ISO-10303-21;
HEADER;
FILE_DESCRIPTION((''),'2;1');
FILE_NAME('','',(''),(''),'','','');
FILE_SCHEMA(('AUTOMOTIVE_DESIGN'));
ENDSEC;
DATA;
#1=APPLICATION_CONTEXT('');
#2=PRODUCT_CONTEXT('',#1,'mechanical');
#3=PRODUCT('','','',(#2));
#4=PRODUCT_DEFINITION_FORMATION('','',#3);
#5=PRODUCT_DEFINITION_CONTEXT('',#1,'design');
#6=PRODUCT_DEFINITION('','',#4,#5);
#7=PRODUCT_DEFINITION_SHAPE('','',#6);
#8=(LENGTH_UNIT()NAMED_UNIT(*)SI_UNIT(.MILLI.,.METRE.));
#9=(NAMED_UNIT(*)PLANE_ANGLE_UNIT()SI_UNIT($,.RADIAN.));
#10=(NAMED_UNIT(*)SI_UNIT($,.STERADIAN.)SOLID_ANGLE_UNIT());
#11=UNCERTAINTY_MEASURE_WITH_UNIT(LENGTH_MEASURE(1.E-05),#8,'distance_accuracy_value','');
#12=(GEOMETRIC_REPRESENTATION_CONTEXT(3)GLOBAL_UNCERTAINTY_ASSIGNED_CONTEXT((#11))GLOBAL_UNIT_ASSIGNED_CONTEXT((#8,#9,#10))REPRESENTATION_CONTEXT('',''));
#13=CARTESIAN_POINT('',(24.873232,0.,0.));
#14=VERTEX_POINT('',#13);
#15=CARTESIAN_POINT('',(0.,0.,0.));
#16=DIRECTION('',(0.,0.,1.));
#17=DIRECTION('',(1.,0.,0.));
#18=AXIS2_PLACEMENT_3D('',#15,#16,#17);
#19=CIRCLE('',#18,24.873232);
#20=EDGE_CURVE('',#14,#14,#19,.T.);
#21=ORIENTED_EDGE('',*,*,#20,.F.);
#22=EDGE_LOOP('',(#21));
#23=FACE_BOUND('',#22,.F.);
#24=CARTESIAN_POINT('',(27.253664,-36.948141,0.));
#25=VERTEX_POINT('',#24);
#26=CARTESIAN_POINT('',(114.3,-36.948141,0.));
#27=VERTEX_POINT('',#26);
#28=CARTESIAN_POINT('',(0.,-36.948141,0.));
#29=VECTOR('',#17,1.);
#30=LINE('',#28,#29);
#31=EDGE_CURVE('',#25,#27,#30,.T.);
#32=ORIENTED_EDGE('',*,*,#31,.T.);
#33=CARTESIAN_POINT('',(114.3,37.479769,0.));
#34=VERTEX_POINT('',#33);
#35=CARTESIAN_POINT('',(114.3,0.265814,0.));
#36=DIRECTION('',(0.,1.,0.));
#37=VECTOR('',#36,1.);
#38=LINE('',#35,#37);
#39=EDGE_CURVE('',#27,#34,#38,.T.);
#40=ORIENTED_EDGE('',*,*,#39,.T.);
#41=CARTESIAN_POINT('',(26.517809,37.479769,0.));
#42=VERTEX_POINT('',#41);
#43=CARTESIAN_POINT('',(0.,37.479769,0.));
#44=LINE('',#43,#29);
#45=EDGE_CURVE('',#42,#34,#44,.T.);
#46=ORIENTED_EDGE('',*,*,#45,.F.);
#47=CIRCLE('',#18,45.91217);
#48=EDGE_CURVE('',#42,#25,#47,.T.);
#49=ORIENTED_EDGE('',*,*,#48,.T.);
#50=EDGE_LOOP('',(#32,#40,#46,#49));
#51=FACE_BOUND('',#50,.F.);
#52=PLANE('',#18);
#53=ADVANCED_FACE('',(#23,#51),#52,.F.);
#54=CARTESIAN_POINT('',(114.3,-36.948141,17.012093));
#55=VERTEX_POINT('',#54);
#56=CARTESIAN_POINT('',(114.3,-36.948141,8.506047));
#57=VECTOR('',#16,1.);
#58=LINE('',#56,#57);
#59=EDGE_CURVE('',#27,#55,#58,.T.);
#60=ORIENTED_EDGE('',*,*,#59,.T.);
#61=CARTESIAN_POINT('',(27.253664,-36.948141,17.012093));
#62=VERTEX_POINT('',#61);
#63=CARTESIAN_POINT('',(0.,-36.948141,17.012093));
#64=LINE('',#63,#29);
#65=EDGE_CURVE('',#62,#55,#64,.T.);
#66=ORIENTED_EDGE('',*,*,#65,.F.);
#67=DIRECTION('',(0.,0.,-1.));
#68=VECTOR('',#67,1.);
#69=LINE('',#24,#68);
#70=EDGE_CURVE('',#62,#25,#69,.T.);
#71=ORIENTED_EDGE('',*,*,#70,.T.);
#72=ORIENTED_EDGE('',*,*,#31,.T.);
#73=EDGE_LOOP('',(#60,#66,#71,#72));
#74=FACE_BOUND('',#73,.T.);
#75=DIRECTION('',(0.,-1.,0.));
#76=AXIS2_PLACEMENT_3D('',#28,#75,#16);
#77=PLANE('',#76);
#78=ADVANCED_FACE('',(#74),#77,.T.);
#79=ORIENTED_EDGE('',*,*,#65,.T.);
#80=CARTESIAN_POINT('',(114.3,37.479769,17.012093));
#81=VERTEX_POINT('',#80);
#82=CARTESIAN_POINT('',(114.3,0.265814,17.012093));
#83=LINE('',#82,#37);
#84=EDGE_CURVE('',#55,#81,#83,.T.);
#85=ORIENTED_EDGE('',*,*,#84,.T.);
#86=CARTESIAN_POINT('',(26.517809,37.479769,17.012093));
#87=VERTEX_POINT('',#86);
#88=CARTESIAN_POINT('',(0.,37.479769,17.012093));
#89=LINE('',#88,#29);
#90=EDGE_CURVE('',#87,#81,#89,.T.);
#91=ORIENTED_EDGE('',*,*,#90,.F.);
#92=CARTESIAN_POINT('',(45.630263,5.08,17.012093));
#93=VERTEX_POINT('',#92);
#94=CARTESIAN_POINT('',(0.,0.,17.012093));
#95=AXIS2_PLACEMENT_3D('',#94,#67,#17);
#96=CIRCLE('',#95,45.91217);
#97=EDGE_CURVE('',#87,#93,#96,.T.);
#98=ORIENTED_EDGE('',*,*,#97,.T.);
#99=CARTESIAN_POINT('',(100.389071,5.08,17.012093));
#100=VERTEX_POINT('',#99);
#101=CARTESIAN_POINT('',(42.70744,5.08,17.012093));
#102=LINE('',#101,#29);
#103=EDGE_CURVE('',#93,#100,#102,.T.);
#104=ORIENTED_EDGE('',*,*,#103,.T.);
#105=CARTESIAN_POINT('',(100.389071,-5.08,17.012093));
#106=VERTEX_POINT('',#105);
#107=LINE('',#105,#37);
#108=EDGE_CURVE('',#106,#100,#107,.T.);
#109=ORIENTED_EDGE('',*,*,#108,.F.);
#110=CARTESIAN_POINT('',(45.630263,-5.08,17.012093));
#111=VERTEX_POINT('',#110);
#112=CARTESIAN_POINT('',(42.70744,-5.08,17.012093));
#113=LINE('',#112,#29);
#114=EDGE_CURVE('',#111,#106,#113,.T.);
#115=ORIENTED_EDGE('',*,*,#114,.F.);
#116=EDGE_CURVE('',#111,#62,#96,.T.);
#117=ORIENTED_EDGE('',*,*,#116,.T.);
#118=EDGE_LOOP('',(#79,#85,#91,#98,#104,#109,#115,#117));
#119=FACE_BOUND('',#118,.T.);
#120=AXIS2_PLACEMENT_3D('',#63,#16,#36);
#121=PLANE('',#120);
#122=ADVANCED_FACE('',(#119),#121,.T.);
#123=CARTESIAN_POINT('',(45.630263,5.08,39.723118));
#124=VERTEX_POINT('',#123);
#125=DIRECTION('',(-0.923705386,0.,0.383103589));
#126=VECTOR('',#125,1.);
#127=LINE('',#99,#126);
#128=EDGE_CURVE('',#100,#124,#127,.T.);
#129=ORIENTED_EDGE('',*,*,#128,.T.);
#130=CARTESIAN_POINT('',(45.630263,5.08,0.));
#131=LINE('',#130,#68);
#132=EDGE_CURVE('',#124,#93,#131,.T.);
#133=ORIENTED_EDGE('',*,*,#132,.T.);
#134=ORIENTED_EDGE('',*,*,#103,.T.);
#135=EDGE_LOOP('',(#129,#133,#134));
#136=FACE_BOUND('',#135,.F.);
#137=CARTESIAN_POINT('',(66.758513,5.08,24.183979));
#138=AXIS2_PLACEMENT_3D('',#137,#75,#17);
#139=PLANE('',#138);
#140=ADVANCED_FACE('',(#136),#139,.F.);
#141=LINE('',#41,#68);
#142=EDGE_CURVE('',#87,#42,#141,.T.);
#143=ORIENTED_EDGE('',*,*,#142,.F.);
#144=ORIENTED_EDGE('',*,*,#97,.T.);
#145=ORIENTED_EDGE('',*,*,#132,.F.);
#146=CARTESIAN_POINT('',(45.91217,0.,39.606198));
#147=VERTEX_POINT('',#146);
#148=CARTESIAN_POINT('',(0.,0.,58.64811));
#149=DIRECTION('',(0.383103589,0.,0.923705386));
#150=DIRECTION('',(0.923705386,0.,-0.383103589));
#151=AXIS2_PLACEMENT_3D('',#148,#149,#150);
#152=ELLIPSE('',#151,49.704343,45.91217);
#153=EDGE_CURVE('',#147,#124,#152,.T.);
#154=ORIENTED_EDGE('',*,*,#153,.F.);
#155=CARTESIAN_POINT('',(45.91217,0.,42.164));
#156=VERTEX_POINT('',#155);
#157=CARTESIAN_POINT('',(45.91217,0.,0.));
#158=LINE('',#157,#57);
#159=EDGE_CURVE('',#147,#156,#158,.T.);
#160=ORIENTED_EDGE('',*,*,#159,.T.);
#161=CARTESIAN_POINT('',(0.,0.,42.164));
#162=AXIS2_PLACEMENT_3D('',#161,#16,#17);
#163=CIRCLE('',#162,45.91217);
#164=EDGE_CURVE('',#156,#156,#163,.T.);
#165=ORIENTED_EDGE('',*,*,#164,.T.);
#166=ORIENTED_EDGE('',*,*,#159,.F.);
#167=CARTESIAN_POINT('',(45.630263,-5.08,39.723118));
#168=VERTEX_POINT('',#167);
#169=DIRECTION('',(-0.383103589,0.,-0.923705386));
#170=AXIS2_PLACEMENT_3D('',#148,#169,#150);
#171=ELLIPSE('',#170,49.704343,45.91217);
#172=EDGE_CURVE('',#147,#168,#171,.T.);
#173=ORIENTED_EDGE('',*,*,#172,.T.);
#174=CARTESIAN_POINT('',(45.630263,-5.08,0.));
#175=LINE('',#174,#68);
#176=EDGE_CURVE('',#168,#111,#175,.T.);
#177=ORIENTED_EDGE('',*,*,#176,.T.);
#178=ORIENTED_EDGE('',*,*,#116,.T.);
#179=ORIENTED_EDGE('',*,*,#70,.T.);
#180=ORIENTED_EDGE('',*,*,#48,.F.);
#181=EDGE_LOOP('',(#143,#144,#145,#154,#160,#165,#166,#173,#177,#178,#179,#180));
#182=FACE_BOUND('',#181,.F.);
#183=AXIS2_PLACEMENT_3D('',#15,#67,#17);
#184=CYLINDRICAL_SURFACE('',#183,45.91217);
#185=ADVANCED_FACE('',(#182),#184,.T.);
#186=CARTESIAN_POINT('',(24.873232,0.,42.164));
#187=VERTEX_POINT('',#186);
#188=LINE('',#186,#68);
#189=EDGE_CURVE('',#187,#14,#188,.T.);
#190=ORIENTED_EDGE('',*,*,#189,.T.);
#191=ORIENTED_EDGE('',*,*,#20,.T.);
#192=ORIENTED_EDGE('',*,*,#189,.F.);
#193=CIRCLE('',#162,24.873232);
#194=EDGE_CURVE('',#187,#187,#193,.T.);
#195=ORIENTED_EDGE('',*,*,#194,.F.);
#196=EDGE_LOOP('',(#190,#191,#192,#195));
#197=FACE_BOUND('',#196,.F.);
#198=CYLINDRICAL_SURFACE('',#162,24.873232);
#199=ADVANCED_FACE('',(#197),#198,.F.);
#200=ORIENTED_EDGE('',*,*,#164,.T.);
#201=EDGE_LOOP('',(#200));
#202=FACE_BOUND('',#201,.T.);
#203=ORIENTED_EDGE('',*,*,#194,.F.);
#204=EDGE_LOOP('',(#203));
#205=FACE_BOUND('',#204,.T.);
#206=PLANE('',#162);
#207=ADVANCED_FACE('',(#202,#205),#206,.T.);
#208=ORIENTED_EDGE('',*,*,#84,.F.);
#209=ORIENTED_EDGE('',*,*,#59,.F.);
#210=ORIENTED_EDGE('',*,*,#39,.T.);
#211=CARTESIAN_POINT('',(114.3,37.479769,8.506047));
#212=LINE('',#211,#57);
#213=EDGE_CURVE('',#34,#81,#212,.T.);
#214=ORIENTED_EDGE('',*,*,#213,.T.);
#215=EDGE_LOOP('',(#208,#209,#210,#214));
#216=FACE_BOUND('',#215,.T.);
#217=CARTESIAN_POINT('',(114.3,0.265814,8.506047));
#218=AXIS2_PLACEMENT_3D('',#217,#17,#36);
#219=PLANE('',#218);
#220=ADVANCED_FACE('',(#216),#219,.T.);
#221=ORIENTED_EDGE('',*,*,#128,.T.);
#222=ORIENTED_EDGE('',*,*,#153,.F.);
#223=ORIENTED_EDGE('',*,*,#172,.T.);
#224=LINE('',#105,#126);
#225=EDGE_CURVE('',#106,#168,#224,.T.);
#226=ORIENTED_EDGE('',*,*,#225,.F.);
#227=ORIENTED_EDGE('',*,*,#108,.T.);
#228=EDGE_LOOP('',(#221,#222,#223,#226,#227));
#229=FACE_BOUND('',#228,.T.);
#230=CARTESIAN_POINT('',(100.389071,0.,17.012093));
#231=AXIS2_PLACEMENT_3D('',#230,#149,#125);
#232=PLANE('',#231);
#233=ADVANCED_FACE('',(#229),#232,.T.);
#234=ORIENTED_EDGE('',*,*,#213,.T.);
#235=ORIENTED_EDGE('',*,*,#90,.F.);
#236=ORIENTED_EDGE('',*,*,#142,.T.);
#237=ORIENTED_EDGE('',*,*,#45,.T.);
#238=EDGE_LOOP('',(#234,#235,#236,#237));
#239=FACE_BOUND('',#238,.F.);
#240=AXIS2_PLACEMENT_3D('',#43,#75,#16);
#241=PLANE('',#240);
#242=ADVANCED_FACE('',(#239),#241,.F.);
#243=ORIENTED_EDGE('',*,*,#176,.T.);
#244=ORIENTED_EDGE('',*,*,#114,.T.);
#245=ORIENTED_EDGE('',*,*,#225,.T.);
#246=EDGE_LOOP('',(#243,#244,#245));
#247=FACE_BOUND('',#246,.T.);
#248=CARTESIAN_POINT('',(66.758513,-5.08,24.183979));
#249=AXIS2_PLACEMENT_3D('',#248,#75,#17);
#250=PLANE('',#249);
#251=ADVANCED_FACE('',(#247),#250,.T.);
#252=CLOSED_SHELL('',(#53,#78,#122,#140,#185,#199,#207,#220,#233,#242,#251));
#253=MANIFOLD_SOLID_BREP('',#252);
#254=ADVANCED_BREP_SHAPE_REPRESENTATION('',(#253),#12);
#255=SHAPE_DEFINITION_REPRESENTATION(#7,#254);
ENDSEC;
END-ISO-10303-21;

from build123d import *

# Parameters (mm, degrees)
F0_R          = 45.9121697242
F1_DEPTH      = 42.164
F2_W          = 74.4279101491
F2_H          = 17.0120932162
F3_DEPTH      = 114.3
F5_DEPTH      = 5.08
F5_DEPTH_BACK = 5.08
F6_R          = 24.8732317419
F7_DEPTH      = 42.165


with BuildPart() as f1:
    # F0 (on Top) → F1 (new body)
    with BuildSketch(Plane.XY):
        Circle(F0_R)
    extrude(amount=F1_DEPTH)

    # F2 (on Right) → F3 (join)
    with BuildSketch(Plane.YZ):
        with Locations((0.265814364, 8.5060466081)):
            Rectangle(F2_W, F2_H)
    extrude(amount=F3_DEPTH)

    # F4 (on Front) → F5 (join, two sides)
    with BuildSketch(Plane.XZ) as f5_sk:
        Polygon((42.707439512, 17.0120932162), (100.3890708089, 17.0120932162), (42.707439512, 40.9353487194), align=None)
    extrude(amount=F5_DEPTH)
    extrude(f5_sk.sketch, amount=-F5_DEPTH_BACK)

    # F6 (on face) → F7 (cut, through all)
    with BuildSketch(Plane.XY.offset(42.164)):
        Circle(F6_R)
    extrude(amount=-F7_DEPTH, mode=Mode.SUBTRACT)


solid = f1.part
